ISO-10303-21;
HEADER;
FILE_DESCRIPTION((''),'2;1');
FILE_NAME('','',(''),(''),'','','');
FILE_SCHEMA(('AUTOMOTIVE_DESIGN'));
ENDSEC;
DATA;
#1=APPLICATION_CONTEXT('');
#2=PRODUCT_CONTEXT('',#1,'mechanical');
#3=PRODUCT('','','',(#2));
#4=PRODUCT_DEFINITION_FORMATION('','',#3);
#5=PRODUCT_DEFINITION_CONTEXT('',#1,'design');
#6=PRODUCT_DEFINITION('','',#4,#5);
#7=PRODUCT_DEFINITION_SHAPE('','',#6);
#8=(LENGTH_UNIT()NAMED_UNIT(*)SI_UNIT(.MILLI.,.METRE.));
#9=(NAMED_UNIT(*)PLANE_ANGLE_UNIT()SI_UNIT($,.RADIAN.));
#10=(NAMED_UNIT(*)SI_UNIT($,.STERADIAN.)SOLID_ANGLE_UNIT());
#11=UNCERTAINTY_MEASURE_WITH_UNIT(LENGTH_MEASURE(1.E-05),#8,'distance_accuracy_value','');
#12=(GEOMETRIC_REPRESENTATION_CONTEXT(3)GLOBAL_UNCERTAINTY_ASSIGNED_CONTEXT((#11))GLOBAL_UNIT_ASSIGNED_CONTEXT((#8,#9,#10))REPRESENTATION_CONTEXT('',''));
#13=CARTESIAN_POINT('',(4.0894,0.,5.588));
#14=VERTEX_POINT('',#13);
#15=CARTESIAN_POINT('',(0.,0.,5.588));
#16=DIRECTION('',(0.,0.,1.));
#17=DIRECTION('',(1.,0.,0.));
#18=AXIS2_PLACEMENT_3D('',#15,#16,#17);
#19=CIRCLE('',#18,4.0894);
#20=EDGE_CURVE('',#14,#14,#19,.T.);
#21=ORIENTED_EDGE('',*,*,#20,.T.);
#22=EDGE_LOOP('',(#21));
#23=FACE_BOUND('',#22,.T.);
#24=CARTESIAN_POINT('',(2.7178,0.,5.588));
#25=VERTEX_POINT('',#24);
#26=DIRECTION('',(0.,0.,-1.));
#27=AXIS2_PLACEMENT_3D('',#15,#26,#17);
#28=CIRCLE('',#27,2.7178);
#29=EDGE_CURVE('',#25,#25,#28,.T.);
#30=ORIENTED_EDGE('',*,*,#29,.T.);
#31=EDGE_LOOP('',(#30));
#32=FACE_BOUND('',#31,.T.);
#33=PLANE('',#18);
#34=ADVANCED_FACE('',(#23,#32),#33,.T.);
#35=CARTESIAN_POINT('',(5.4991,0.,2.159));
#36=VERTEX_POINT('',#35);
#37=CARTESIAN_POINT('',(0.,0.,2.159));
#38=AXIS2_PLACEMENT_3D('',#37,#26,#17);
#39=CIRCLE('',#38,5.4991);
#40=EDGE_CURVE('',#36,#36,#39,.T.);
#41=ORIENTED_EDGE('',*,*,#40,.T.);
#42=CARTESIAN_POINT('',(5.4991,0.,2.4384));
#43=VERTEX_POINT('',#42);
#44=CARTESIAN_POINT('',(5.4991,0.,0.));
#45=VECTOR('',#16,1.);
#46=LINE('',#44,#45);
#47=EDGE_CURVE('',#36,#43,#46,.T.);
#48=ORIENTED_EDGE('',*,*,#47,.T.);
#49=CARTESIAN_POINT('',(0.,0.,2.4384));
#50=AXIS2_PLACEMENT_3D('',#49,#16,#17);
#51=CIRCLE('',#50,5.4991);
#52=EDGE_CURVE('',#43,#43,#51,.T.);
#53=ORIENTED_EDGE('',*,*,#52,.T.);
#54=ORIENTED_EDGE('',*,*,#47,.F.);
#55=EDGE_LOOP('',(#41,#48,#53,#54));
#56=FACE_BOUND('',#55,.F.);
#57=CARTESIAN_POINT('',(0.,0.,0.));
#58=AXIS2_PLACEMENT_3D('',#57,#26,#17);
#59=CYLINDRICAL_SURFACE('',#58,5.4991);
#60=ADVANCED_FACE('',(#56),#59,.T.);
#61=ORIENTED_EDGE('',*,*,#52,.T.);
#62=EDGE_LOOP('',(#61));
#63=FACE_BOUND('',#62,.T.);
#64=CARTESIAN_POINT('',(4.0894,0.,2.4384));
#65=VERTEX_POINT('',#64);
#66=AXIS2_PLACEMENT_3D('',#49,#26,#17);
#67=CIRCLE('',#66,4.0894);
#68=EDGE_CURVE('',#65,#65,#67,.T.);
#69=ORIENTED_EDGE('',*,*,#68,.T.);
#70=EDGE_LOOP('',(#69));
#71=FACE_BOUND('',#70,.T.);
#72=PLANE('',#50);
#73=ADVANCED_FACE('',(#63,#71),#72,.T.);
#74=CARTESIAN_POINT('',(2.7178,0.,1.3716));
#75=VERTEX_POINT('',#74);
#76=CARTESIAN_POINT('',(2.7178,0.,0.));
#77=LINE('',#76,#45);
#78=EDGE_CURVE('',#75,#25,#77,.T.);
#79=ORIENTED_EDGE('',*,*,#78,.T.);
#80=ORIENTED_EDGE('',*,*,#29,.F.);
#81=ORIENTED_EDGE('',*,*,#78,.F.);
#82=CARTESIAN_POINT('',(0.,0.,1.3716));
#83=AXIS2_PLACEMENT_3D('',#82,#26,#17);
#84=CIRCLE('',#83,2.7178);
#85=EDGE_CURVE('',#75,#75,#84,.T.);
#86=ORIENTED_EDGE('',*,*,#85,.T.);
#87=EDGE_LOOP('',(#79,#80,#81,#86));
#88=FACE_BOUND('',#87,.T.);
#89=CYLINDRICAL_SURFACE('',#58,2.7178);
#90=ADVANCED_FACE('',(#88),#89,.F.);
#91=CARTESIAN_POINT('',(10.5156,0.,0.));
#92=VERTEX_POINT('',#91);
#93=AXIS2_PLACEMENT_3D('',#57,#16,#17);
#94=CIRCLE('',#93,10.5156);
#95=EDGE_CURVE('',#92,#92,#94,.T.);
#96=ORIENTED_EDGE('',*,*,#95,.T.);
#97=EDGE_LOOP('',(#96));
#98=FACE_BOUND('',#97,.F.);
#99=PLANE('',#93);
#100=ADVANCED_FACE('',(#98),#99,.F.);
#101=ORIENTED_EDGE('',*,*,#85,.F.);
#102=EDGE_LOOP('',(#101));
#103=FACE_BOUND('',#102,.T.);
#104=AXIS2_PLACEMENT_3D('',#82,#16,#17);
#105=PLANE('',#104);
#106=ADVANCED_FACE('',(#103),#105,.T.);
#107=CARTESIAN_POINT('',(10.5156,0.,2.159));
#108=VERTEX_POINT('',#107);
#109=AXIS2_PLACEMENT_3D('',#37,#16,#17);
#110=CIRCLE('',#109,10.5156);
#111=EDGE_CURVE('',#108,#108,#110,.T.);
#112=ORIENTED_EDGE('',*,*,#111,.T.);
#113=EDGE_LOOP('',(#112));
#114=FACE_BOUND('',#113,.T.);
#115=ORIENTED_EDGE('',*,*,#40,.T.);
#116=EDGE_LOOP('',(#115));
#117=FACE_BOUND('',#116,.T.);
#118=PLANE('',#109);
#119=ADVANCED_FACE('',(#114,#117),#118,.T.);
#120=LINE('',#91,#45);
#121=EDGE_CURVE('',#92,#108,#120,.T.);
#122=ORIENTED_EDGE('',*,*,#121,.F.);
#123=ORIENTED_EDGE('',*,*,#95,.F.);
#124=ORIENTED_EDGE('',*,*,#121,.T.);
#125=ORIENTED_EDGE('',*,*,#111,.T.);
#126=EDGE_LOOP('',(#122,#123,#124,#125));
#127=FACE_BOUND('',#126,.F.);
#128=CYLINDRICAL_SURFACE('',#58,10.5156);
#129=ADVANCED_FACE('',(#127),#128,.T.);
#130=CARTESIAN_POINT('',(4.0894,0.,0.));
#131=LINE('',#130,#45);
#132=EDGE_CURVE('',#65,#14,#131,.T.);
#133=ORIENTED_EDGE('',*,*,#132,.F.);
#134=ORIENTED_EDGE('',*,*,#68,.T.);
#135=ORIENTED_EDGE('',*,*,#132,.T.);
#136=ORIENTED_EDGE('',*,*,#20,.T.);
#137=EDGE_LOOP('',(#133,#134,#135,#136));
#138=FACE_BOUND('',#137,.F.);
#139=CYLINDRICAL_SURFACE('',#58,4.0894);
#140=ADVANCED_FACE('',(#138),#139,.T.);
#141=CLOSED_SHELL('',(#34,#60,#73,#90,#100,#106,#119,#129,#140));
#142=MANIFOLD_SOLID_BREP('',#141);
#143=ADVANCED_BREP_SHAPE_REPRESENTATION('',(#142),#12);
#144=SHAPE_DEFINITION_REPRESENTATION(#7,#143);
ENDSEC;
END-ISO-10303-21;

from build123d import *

# Parameters (mm, degrees)
F0_R     = 10.5156
F1_DEPTH = 2.159
F2_R     = 5.4991
F3_DEPTH = 2.4384
F4_R     = 4.0894
F5_DEPTH = 5.588
F6_T     = -1.3716


with BuildPart() as f1:
    # F0 (on Top) → F1 (new body)
    with BuildSketch(Plane.XY):
        Circle(F0_R)
    extrude(amount=F1_DEPTH)

    # F2 (on Top) → F3 (join)
    with BuildSketch(Plane.XY):
        Circle(F2_R)
    extrude(amount=F3_DEPTH)

    # F4 (on Top) → F5 (join)
    with BuildSketch(Plane.XY):
        Circle(F4_R)
    extrude(amount=F5_DEPTH)

    # F6
    f6_openings = [f1.faces().sort_by_distance(p)[0] for p in [
        (0, 0, 5.588),
    ]]
    offset(amount=F6_T, openings=f6_openings, kind=Kind.INTERSECTION)


solid = f1.part
